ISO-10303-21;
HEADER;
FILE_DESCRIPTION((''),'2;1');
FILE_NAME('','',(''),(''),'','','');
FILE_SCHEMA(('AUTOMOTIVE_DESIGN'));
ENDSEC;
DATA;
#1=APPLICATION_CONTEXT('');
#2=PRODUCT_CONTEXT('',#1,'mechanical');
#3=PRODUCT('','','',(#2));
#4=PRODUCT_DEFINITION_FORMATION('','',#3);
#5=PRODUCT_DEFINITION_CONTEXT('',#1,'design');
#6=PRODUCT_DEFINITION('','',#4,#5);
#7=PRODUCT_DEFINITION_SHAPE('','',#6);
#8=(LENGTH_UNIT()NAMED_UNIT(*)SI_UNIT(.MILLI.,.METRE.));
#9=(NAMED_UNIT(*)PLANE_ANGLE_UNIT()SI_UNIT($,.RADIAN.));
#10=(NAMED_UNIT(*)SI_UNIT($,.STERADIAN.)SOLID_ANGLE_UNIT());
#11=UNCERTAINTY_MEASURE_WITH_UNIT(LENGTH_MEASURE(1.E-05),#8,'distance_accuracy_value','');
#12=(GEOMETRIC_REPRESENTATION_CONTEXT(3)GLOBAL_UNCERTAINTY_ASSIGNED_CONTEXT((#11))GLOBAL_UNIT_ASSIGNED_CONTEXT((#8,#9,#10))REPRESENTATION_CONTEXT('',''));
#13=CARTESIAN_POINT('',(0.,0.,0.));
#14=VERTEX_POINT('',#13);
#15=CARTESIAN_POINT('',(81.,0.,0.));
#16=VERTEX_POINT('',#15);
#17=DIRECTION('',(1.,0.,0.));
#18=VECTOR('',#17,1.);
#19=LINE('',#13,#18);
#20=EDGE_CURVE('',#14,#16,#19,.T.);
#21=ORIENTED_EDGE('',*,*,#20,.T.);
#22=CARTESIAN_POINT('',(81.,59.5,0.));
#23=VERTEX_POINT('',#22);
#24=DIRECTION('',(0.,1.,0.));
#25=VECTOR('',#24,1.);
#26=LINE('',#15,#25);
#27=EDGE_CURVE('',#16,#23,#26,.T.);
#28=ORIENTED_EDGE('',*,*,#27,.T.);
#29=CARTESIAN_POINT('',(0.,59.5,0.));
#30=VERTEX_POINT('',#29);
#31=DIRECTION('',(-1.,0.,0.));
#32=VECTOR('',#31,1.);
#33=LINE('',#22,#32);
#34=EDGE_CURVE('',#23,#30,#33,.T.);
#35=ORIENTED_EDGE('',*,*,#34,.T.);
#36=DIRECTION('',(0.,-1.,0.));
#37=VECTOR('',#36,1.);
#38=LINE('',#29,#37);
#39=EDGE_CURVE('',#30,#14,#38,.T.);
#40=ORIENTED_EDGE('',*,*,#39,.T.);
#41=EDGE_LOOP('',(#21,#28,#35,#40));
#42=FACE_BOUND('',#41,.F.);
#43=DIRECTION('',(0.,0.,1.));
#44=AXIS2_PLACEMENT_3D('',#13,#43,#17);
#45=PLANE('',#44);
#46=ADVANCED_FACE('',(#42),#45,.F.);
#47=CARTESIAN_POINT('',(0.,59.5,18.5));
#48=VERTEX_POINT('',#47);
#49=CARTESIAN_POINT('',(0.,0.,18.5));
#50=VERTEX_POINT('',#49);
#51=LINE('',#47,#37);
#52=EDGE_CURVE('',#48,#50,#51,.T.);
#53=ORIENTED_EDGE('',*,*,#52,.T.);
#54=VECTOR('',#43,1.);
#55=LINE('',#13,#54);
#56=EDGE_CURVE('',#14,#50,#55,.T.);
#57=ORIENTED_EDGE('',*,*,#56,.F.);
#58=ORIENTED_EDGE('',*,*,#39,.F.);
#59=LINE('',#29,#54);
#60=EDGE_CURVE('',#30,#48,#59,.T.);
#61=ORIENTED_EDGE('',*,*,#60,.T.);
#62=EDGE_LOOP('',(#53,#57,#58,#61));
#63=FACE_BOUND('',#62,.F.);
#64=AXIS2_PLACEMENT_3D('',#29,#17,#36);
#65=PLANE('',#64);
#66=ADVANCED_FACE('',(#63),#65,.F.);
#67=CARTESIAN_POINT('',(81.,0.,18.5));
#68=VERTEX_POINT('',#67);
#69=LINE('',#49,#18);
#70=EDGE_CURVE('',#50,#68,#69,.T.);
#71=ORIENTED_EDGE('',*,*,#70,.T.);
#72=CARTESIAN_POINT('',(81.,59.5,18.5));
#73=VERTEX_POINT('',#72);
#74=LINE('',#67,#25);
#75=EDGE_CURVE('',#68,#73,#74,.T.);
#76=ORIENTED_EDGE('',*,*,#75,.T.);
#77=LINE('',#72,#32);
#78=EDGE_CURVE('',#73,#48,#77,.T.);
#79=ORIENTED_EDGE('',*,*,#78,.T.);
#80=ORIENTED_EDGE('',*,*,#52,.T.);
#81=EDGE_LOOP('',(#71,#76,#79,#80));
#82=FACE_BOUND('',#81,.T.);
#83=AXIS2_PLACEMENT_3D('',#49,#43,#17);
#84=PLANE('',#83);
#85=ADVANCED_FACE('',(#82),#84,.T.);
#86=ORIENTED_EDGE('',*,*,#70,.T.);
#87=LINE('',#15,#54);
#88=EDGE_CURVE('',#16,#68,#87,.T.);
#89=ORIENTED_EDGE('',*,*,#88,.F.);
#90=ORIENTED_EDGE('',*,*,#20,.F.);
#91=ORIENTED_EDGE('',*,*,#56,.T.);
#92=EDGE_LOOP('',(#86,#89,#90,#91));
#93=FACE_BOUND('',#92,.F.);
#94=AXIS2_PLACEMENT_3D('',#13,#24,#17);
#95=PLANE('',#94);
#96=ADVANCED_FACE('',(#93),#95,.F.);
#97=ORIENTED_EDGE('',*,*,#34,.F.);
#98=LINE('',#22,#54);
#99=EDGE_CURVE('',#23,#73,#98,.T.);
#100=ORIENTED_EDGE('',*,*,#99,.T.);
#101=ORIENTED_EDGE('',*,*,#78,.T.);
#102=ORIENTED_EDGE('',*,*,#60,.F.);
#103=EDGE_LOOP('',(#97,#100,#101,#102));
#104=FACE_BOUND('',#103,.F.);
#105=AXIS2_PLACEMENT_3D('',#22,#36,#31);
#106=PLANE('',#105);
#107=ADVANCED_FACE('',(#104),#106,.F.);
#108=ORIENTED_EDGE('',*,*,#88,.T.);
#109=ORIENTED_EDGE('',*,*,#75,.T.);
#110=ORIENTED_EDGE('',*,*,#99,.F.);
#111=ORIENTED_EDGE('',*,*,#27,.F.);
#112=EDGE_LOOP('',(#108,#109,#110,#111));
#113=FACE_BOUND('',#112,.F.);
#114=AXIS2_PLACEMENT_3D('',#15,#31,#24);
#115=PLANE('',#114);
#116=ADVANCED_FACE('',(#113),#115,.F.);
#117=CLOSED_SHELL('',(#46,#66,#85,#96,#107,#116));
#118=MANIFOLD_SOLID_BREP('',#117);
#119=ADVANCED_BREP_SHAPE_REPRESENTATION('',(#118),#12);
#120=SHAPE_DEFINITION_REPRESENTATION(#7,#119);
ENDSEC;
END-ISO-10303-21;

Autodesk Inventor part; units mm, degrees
ref_plane "YZ Plane" through (0, 0, 0) normal (1, 0, 0) x (0, 1, 0)
ref_plane "XZ Plane" through (0, 0, 0) normal (0, 1, 0) x (-1, 0, 0)
ref_plane "XY Plane" through (0, 0, 0) normal (0, 0, 1) x (1, 0, 0)
sketch "Sketch1" plane through (0, 0, 0) normal (0, 0, 1) x (1, 0, 0)
  line L0 (0, 0) -> (81, 0)
  line L1 (81, 0) -> (81, 59.5)
  line L2 (81, 59.5) -> (0, 59.5)
  line L3 (0, 59.5) -> (0, 0)
  dimension "d0" = 81
  dimension "d1" = 59.5
extrude "Extrusion1" add sketch "Sketch1" along normal blind 18.5
properties part number "UNO"
